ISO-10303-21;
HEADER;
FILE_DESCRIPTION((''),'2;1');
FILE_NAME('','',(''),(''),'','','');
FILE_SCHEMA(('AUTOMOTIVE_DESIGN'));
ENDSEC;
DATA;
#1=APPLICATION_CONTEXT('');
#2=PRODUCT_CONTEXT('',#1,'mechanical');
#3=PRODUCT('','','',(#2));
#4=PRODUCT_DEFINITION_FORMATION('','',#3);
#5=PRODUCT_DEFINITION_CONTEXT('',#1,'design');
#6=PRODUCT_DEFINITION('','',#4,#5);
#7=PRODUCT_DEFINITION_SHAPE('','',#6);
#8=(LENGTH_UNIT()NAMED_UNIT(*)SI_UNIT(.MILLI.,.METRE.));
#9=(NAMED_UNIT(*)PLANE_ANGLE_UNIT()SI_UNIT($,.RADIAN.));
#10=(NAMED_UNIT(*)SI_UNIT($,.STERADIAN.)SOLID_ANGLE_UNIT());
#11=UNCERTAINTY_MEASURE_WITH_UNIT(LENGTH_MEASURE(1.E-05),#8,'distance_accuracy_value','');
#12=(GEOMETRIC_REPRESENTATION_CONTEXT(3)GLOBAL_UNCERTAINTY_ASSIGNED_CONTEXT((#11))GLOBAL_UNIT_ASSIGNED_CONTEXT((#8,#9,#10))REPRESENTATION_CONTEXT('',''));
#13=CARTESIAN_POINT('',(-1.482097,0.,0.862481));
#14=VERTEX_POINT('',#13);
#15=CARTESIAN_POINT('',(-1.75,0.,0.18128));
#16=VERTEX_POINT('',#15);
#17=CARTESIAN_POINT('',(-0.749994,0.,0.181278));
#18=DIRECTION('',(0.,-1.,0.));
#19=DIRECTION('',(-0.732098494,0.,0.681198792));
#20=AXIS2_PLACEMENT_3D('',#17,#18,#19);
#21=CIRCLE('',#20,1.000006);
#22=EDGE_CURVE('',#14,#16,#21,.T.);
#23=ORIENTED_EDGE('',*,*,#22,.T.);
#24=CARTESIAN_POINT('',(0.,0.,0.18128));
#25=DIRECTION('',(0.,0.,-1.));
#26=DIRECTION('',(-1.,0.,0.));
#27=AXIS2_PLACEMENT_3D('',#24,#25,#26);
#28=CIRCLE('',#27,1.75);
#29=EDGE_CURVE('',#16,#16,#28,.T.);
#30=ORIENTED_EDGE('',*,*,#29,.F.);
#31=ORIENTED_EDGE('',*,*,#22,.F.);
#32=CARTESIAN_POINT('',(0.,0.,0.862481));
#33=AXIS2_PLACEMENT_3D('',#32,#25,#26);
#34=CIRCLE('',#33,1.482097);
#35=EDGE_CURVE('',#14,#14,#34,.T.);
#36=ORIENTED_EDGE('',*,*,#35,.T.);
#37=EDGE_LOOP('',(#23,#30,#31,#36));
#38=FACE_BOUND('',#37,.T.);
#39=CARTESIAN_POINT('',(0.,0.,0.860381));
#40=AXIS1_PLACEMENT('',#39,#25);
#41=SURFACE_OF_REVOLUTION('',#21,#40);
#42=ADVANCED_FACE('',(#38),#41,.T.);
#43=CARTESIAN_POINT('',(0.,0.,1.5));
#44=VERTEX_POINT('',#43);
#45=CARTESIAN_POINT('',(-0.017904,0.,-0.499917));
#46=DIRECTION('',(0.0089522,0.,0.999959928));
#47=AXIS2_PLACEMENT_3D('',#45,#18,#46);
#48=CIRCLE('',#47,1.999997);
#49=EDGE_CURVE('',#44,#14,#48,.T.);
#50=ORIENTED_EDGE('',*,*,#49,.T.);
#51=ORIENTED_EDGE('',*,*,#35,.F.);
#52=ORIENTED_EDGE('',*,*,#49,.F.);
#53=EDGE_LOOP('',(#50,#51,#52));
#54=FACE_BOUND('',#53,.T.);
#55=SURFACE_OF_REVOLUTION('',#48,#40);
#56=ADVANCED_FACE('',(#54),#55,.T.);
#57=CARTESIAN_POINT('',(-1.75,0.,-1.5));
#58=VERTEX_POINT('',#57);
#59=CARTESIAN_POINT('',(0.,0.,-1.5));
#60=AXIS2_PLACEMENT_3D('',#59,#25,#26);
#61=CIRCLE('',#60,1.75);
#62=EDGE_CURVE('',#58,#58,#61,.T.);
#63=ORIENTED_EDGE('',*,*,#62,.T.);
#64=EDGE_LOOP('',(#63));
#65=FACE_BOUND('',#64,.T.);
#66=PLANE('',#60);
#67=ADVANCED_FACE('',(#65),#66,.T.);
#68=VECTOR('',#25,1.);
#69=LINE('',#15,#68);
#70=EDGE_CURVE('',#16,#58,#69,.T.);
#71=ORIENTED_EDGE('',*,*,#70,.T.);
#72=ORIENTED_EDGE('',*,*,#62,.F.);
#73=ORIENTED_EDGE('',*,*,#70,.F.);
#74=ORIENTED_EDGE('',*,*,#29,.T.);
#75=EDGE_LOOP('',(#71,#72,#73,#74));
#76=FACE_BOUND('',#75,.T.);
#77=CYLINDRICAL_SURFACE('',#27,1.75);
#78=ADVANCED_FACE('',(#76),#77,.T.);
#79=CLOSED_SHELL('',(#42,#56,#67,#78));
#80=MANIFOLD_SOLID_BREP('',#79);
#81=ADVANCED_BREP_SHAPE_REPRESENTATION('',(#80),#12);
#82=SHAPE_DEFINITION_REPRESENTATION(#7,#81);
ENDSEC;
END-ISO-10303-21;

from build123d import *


with BuildPart() as f1:
    # F0 (on Front) → F1 (revolve)
    with BuildSketch(Plane.XZ):
        with BuildLine():
            Line((-1.75, -1.5), (0, -1.5))
            Line((0, -1.5), (0, 1.5))
            ThreePointArc((0, 1.5), (-0.808186, 1.337321), (-1.482097, 0.862481))
            ThreePointArc((-1.482097, 0.862481), (-1.680617, 0.547274), (-1.75, 0.18128))
            Line((-1.75, 0.18128), (-1.75, -1.5))
        make_face()
    revolve(axis=Axis((0, 0, 0.860381), (0, 0, -1)))


solid = f1.part
